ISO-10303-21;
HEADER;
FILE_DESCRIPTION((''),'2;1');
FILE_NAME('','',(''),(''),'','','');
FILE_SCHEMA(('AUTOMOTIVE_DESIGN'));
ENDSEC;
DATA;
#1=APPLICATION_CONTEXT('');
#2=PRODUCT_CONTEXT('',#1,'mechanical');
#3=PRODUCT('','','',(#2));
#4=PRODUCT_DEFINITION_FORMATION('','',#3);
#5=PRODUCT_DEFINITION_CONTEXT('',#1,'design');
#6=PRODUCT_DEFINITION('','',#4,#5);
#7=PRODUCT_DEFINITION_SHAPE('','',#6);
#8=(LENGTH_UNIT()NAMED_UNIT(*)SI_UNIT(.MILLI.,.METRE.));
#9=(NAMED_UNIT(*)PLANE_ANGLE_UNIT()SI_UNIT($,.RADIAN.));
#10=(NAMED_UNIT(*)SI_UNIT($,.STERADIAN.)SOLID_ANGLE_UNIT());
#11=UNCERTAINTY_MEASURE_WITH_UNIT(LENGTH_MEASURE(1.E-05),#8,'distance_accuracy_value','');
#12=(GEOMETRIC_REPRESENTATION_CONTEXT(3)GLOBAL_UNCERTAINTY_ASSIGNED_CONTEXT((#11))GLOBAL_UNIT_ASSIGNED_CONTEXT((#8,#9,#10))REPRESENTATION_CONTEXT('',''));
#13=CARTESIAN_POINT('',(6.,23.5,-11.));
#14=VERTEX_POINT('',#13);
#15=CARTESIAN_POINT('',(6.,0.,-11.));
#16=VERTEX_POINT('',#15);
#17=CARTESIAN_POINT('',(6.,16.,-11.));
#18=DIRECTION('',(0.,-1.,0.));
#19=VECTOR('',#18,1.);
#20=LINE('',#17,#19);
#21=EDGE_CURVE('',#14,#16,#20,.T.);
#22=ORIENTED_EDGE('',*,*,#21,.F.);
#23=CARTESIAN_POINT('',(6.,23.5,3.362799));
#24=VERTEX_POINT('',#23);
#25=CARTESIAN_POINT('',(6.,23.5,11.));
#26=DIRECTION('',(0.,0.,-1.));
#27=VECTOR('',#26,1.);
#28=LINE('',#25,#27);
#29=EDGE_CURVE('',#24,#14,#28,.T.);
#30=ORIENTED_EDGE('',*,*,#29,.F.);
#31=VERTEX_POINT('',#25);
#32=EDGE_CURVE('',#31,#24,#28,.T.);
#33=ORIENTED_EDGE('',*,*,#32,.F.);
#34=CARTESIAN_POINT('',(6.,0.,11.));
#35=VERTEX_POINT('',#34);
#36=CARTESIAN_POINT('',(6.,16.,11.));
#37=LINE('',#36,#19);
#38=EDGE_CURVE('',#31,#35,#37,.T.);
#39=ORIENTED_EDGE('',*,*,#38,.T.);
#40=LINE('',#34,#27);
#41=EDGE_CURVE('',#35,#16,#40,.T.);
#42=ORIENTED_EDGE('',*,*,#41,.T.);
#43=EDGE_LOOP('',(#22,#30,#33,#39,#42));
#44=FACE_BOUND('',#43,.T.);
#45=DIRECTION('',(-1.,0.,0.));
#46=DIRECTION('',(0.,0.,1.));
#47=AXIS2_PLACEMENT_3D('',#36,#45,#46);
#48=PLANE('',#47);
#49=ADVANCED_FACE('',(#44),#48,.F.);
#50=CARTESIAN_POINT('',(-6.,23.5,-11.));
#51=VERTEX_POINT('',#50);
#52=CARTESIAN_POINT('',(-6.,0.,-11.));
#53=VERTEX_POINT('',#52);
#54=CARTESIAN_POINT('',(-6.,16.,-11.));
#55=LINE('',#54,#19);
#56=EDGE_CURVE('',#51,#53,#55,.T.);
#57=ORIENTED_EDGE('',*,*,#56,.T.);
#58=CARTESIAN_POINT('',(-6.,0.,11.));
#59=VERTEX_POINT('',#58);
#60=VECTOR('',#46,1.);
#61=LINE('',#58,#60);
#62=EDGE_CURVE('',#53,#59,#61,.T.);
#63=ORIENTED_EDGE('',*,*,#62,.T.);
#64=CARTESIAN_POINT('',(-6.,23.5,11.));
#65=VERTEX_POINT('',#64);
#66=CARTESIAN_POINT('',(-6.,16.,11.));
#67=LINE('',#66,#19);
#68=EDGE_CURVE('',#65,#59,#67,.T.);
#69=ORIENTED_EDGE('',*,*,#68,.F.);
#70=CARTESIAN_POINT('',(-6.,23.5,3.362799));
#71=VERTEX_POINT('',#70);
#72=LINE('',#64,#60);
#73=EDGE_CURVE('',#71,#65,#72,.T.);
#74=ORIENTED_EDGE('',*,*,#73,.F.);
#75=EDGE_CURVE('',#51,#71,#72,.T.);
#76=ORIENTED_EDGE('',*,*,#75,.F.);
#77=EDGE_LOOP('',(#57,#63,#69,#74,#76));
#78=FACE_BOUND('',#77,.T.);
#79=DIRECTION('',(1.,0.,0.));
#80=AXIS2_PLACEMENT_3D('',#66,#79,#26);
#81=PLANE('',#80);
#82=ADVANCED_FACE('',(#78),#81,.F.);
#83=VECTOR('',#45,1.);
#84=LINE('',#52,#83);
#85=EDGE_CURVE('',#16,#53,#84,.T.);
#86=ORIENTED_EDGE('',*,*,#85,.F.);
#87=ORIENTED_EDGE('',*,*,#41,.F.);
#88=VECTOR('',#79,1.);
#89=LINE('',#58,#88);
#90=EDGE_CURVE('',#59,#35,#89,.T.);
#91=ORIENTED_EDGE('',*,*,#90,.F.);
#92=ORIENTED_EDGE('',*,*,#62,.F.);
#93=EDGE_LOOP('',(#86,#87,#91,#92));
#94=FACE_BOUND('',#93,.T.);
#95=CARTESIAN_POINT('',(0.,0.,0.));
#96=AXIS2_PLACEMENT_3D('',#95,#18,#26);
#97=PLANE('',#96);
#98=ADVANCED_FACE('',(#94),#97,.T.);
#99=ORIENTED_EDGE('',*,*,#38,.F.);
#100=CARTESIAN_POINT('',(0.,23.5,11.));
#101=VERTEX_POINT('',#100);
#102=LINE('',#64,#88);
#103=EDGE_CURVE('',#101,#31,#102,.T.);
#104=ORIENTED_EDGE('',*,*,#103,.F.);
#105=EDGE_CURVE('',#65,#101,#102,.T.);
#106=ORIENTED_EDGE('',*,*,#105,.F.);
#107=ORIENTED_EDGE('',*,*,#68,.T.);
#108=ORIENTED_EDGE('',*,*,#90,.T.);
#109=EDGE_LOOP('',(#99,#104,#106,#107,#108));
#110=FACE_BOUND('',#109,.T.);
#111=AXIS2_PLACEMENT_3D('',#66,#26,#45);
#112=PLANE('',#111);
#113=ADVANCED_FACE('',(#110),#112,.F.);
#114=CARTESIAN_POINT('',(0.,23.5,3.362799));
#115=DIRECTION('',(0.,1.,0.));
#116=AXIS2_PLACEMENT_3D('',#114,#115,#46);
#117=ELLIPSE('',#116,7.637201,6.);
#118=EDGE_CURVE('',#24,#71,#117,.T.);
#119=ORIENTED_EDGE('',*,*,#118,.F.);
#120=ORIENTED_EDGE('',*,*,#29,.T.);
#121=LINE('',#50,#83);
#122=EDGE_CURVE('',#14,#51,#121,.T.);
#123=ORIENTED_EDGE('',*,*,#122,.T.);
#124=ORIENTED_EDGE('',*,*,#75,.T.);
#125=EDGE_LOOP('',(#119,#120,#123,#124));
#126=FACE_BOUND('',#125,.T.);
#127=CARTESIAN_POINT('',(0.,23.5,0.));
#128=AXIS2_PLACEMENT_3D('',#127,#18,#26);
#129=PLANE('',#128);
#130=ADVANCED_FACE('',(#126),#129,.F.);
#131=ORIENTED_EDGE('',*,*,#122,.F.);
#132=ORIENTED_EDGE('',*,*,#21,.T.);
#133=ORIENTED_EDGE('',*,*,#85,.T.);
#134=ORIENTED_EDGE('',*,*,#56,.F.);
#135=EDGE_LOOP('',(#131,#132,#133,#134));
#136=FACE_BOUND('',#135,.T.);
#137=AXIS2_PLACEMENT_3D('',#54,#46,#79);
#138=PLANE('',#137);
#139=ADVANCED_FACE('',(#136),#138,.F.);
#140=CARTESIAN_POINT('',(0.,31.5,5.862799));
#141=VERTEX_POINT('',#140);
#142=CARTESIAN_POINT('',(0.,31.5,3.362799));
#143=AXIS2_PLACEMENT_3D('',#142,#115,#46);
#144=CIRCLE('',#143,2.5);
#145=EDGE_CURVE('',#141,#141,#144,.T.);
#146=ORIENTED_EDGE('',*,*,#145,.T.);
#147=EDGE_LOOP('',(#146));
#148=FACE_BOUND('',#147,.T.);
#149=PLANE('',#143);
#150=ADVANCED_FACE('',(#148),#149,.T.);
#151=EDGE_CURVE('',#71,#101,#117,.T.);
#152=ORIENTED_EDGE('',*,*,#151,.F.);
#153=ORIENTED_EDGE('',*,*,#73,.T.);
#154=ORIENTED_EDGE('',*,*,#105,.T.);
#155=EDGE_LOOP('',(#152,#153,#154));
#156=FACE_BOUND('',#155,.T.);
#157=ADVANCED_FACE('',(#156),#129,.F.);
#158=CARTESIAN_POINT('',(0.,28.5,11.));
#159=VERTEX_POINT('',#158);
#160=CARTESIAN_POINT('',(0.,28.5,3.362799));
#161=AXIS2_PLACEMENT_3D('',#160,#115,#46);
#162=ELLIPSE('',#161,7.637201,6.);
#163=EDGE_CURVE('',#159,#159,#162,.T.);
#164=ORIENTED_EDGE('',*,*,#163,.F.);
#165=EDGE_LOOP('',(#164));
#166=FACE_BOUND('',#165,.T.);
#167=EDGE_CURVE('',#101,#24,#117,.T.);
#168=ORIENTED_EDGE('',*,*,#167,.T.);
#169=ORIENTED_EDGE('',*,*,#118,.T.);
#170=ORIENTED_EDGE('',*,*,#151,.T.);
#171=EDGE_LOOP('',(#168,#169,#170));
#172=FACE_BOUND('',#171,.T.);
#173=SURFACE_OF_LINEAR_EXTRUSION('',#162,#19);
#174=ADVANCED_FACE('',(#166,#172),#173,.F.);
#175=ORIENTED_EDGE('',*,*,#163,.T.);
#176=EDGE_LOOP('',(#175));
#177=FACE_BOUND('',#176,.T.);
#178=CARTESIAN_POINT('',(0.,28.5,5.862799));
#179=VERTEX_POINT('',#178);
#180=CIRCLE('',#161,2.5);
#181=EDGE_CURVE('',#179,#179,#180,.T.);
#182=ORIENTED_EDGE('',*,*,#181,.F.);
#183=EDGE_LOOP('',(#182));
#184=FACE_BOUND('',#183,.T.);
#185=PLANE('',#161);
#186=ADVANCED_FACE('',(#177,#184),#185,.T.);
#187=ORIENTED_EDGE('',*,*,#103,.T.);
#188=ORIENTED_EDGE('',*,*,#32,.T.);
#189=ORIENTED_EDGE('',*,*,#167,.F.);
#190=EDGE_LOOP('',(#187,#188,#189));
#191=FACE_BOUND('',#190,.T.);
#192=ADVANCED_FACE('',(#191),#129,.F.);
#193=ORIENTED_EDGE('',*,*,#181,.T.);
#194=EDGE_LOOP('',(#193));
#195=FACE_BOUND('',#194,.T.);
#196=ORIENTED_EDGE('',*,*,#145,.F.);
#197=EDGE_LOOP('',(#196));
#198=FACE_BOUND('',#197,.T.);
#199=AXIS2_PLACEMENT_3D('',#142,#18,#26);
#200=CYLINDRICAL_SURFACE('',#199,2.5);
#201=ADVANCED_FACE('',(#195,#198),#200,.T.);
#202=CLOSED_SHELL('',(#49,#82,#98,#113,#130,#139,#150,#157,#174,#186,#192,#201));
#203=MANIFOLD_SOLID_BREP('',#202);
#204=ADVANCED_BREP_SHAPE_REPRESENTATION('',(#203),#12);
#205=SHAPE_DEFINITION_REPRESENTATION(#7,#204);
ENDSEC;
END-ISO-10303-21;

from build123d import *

# Parameters (mm, degrees)
SKETCH_1_W          = 12
SKETCH_1_H          = 22
EXTRUDE_1_DEPTH     = 16
SKETCH_2_W          = 12
SKETCH_2_H          = 32
EXTRUDE_2_DEPTH     = 2.5
SKETCH_4_W          = 12
SKETCH_4_H          = 22
EXTRUDE_4_DEPTH     = 5
SKETCH_5_RX         = 7.637200615
SKETCH_5_RY         = 6
EXTRUDE_5_DEPTH     = 5
SKETCH_6_R          = 2.5
EXTRUDE_6_DEPTH     = 3
SKETCH_7_W          = 5
SKETCH_7_H          = 2.5
CUT_EXTRUDE_1_DEPTH = 38.312866414


with BuildPart() as part:
    # 草图1 → 凸台-拉伸1 (new body)
    with BuildSketch(Plane(origin=(0, 0, 0), x_dir=(1, 0, 0), z_dir=(0, 1, 0))):
        Rectangle(SKETCH_1_W, SKETCH_1_H)
    extrude(amount=EXTRUDE_1_DEPTH)

    # 草图2 → 凸台-拉伸2 (add)
    with BuildSketch(Plane(origin=(0, 16, 0), x_dir=(1, 0, 0), z_dir=(0, 1, 0))):
        Rectangle(SKETCH_2_W, SKETCH_2_H)
    extrude(amount=EXTRUDE_2_DEPTH)

    # 草图4 → 凸台-拉伸4 (add)
    with BuildSketch(Plane(origin=(0, 18.5, 0), x_dir=(1, 0, 0), z_dir=(0, 1, 0))):
        Rectangle(SKETCH_4_W, SKETCH_4_H)
    extrude(amount=EXTRUDE_4_DEPTH)

    # 草图5 → 凸台-拉伸5 (add)
    with BuildSketch(Plane(origin=(0, 23.5, 0), x_dir=(1, 0, 0), z_dir=(0, 1, 0))):
        with Locations(Location((0, -3.362799385), (0, 0, -90))):
            Ellipse(SKETCH_5_RX, SKETCH_5_RY)
    extrude(amount=EXTRUDE_5_DEPTH)

    # 草图6 → 凸台-拉伸6 (add)
    with BuildSketch(Plane(origin=(0, 28.5, 0), x_dir=(1, 0, 0), z_dir=(0, 1, 0))):
        with Locations(Location((0, -3.362799385, 0), (0, 0, 270))):
            Circle(SKETCH_6_R)
    extrude(amount=EXTRUDE_6_DEPTH)

    # 草图7 → 切除-拉伸1 (cut, through all)
    with BuildSketch(Plane.ZY.offset(6)):
        with Locations((-13.5, 17.25)):
            Rectangle(SKETCH_7_W, SKETCH_7_H)
        with Locations((13.5, 17.25)):
            Rectangle(SKETCH_7_W, SKETCH_7_H)
    extrude(amount=-CUT_EXTRUDE_1_DEPTH, mode=Mode.SUBTRACT)


solid = part.part
